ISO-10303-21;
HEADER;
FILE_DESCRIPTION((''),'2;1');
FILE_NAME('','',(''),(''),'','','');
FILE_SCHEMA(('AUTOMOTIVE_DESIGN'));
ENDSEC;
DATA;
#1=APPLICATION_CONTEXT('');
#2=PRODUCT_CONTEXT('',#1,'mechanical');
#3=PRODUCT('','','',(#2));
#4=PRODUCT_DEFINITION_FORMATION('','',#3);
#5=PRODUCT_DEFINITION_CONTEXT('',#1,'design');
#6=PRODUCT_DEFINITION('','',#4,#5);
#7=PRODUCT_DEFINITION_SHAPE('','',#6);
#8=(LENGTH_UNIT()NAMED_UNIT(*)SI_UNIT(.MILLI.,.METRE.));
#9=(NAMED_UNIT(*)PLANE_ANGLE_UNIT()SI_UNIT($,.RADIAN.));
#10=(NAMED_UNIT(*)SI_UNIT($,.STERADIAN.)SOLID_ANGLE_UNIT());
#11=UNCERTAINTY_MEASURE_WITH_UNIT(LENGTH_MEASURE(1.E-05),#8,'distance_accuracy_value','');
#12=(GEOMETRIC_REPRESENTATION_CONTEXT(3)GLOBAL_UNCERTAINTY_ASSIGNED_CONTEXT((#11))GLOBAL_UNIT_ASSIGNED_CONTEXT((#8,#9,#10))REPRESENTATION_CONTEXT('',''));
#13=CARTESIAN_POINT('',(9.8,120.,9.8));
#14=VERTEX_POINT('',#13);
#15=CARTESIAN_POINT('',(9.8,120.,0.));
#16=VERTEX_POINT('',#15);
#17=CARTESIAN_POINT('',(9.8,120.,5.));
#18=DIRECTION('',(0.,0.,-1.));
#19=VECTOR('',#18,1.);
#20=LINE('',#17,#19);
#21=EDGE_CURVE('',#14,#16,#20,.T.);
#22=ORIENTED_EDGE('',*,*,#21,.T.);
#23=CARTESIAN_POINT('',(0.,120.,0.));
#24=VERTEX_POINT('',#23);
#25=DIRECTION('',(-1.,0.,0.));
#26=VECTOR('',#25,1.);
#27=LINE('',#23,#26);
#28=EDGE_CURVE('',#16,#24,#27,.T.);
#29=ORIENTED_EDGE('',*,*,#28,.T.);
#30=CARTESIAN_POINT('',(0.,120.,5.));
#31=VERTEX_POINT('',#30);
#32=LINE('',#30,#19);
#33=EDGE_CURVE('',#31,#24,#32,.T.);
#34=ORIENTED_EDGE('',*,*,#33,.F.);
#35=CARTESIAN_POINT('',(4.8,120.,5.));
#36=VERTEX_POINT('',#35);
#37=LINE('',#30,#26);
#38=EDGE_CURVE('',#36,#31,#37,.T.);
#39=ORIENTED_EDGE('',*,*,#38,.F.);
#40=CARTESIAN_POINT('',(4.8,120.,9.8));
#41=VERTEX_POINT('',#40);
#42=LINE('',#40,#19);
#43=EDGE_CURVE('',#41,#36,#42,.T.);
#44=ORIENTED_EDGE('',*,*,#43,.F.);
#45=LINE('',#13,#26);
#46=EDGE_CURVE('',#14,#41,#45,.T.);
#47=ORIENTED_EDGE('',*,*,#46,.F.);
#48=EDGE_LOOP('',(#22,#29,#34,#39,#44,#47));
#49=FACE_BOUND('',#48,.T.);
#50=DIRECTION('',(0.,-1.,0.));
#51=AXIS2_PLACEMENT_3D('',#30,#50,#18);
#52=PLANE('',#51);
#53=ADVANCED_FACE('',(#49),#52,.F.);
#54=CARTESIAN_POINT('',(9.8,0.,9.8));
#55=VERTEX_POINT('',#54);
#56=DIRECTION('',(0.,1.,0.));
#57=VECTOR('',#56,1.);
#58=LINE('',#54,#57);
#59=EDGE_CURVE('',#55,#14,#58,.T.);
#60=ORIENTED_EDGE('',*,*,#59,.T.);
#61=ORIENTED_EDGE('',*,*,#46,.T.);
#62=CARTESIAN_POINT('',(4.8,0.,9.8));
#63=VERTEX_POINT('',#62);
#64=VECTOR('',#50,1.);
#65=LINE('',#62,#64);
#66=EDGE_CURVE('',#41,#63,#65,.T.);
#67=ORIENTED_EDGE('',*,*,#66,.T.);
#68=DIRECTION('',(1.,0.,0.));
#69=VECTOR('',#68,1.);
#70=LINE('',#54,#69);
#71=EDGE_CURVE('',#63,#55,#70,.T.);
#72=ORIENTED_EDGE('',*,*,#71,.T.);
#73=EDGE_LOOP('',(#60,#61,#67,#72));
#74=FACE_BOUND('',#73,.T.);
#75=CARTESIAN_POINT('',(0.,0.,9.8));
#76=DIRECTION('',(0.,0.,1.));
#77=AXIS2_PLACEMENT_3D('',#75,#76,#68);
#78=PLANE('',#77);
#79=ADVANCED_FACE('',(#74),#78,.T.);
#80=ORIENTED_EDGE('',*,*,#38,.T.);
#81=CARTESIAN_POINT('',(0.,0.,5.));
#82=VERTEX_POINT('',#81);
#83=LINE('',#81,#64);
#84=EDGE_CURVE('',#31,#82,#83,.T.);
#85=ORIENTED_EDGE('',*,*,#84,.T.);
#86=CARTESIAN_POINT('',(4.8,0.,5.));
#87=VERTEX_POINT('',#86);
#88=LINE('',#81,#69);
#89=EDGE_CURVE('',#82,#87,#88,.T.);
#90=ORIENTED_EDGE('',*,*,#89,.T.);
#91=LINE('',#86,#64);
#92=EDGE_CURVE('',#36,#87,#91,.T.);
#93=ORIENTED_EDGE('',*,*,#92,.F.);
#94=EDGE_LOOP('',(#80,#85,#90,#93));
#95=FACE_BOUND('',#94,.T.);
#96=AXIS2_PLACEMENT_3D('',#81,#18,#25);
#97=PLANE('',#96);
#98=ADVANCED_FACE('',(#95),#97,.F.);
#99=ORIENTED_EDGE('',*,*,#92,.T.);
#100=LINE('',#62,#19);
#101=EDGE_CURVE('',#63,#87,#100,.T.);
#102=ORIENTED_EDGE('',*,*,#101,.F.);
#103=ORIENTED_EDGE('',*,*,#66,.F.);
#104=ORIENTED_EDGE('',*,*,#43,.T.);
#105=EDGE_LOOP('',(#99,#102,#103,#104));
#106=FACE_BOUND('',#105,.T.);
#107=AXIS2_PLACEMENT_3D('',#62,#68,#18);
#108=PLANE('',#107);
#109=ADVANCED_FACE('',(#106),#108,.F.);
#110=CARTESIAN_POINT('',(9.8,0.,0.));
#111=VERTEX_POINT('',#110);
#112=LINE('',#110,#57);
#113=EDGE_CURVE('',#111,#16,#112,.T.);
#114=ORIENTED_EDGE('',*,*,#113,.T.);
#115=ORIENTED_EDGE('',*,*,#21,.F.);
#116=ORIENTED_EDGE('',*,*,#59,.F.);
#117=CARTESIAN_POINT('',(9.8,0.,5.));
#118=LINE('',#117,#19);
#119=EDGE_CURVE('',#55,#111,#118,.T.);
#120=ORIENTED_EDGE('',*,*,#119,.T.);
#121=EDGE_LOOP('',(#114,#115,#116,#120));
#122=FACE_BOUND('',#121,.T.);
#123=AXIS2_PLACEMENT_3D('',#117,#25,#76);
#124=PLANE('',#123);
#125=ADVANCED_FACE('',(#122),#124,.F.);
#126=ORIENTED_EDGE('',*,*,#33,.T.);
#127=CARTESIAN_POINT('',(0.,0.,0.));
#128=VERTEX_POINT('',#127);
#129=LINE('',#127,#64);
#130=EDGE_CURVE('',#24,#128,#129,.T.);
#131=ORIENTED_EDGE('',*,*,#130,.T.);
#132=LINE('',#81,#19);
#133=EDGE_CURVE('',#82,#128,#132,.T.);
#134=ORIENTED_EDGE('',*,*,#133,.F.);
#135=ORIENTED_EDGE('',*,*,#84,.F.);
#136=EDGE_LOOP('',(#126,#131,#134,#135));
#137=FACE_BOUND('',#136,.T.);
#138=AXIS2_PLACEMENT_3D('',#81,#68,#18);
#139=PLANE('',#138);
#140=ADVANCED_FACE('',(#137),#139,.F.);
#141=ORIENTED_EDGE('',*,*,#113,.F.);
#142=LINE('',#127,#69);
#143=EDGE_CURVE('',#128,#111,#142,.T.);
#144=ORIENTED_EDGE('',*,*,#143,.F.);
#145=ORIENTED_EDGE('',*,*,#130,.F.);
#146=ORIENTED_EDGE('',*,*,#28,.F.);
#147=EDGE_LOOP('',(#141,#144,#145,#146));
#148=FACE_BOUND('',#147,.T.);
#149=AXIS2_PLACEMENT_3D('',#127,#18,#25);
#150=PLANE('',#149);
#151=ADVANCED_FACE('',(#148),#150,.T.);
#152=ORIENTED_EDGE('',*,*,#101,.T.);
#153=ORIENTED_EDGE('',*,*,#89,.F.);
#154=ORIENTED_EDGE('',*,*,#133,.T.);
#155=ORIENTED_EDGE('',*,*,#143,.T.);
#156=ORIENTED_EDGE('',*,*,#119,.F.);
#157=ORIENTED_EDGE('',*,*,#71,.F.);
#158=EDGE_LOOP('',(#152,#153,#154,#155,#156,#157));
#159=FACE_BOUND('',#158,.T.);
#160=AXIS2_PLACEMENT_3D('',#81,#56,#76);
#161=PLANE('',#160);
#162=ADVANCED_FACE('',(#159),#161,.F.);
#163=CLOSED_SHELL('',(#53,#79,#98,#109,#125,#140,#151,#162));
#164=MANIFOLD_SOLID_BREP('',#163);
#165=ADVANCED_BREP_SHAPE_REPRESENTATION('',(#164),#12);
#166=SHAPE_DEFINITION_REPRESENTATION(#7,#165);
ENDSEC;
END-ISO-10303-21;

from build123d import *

# Parameters (mm, degrees)
SKETCH1_W           = 9.8
SKETCH1_H           = 120
BOSS_EXTRUDE1_DEPTH = 5
SKETCH2_W           = 5
SKETCH2_H           = 120
BOSS_EXTRUDE2_DEPTH = 4.8


with BuildPart() as part:
    # Sketch1 → Boss-Extrude1 (new body)
    with BuildSketch(Plane.XY):
        with Locations((4.9, 60)):
            Rectangle(SKETCH1_W, SKETCH1_H)
    extrude(amount=BOSS_EXTRUDE1_DEPTH)

    # Sketch2 → Boss-Extrude2 (add)
    with BuildSketch(Plane.XY.offset(5)):
        with Locations((7.3, 60)):
            Rectangle(SKETCH2_W, SKETCH2_H)
    extrude(amount=BOSS_EXTRUDE2_DEPTH)


solid = part.part
